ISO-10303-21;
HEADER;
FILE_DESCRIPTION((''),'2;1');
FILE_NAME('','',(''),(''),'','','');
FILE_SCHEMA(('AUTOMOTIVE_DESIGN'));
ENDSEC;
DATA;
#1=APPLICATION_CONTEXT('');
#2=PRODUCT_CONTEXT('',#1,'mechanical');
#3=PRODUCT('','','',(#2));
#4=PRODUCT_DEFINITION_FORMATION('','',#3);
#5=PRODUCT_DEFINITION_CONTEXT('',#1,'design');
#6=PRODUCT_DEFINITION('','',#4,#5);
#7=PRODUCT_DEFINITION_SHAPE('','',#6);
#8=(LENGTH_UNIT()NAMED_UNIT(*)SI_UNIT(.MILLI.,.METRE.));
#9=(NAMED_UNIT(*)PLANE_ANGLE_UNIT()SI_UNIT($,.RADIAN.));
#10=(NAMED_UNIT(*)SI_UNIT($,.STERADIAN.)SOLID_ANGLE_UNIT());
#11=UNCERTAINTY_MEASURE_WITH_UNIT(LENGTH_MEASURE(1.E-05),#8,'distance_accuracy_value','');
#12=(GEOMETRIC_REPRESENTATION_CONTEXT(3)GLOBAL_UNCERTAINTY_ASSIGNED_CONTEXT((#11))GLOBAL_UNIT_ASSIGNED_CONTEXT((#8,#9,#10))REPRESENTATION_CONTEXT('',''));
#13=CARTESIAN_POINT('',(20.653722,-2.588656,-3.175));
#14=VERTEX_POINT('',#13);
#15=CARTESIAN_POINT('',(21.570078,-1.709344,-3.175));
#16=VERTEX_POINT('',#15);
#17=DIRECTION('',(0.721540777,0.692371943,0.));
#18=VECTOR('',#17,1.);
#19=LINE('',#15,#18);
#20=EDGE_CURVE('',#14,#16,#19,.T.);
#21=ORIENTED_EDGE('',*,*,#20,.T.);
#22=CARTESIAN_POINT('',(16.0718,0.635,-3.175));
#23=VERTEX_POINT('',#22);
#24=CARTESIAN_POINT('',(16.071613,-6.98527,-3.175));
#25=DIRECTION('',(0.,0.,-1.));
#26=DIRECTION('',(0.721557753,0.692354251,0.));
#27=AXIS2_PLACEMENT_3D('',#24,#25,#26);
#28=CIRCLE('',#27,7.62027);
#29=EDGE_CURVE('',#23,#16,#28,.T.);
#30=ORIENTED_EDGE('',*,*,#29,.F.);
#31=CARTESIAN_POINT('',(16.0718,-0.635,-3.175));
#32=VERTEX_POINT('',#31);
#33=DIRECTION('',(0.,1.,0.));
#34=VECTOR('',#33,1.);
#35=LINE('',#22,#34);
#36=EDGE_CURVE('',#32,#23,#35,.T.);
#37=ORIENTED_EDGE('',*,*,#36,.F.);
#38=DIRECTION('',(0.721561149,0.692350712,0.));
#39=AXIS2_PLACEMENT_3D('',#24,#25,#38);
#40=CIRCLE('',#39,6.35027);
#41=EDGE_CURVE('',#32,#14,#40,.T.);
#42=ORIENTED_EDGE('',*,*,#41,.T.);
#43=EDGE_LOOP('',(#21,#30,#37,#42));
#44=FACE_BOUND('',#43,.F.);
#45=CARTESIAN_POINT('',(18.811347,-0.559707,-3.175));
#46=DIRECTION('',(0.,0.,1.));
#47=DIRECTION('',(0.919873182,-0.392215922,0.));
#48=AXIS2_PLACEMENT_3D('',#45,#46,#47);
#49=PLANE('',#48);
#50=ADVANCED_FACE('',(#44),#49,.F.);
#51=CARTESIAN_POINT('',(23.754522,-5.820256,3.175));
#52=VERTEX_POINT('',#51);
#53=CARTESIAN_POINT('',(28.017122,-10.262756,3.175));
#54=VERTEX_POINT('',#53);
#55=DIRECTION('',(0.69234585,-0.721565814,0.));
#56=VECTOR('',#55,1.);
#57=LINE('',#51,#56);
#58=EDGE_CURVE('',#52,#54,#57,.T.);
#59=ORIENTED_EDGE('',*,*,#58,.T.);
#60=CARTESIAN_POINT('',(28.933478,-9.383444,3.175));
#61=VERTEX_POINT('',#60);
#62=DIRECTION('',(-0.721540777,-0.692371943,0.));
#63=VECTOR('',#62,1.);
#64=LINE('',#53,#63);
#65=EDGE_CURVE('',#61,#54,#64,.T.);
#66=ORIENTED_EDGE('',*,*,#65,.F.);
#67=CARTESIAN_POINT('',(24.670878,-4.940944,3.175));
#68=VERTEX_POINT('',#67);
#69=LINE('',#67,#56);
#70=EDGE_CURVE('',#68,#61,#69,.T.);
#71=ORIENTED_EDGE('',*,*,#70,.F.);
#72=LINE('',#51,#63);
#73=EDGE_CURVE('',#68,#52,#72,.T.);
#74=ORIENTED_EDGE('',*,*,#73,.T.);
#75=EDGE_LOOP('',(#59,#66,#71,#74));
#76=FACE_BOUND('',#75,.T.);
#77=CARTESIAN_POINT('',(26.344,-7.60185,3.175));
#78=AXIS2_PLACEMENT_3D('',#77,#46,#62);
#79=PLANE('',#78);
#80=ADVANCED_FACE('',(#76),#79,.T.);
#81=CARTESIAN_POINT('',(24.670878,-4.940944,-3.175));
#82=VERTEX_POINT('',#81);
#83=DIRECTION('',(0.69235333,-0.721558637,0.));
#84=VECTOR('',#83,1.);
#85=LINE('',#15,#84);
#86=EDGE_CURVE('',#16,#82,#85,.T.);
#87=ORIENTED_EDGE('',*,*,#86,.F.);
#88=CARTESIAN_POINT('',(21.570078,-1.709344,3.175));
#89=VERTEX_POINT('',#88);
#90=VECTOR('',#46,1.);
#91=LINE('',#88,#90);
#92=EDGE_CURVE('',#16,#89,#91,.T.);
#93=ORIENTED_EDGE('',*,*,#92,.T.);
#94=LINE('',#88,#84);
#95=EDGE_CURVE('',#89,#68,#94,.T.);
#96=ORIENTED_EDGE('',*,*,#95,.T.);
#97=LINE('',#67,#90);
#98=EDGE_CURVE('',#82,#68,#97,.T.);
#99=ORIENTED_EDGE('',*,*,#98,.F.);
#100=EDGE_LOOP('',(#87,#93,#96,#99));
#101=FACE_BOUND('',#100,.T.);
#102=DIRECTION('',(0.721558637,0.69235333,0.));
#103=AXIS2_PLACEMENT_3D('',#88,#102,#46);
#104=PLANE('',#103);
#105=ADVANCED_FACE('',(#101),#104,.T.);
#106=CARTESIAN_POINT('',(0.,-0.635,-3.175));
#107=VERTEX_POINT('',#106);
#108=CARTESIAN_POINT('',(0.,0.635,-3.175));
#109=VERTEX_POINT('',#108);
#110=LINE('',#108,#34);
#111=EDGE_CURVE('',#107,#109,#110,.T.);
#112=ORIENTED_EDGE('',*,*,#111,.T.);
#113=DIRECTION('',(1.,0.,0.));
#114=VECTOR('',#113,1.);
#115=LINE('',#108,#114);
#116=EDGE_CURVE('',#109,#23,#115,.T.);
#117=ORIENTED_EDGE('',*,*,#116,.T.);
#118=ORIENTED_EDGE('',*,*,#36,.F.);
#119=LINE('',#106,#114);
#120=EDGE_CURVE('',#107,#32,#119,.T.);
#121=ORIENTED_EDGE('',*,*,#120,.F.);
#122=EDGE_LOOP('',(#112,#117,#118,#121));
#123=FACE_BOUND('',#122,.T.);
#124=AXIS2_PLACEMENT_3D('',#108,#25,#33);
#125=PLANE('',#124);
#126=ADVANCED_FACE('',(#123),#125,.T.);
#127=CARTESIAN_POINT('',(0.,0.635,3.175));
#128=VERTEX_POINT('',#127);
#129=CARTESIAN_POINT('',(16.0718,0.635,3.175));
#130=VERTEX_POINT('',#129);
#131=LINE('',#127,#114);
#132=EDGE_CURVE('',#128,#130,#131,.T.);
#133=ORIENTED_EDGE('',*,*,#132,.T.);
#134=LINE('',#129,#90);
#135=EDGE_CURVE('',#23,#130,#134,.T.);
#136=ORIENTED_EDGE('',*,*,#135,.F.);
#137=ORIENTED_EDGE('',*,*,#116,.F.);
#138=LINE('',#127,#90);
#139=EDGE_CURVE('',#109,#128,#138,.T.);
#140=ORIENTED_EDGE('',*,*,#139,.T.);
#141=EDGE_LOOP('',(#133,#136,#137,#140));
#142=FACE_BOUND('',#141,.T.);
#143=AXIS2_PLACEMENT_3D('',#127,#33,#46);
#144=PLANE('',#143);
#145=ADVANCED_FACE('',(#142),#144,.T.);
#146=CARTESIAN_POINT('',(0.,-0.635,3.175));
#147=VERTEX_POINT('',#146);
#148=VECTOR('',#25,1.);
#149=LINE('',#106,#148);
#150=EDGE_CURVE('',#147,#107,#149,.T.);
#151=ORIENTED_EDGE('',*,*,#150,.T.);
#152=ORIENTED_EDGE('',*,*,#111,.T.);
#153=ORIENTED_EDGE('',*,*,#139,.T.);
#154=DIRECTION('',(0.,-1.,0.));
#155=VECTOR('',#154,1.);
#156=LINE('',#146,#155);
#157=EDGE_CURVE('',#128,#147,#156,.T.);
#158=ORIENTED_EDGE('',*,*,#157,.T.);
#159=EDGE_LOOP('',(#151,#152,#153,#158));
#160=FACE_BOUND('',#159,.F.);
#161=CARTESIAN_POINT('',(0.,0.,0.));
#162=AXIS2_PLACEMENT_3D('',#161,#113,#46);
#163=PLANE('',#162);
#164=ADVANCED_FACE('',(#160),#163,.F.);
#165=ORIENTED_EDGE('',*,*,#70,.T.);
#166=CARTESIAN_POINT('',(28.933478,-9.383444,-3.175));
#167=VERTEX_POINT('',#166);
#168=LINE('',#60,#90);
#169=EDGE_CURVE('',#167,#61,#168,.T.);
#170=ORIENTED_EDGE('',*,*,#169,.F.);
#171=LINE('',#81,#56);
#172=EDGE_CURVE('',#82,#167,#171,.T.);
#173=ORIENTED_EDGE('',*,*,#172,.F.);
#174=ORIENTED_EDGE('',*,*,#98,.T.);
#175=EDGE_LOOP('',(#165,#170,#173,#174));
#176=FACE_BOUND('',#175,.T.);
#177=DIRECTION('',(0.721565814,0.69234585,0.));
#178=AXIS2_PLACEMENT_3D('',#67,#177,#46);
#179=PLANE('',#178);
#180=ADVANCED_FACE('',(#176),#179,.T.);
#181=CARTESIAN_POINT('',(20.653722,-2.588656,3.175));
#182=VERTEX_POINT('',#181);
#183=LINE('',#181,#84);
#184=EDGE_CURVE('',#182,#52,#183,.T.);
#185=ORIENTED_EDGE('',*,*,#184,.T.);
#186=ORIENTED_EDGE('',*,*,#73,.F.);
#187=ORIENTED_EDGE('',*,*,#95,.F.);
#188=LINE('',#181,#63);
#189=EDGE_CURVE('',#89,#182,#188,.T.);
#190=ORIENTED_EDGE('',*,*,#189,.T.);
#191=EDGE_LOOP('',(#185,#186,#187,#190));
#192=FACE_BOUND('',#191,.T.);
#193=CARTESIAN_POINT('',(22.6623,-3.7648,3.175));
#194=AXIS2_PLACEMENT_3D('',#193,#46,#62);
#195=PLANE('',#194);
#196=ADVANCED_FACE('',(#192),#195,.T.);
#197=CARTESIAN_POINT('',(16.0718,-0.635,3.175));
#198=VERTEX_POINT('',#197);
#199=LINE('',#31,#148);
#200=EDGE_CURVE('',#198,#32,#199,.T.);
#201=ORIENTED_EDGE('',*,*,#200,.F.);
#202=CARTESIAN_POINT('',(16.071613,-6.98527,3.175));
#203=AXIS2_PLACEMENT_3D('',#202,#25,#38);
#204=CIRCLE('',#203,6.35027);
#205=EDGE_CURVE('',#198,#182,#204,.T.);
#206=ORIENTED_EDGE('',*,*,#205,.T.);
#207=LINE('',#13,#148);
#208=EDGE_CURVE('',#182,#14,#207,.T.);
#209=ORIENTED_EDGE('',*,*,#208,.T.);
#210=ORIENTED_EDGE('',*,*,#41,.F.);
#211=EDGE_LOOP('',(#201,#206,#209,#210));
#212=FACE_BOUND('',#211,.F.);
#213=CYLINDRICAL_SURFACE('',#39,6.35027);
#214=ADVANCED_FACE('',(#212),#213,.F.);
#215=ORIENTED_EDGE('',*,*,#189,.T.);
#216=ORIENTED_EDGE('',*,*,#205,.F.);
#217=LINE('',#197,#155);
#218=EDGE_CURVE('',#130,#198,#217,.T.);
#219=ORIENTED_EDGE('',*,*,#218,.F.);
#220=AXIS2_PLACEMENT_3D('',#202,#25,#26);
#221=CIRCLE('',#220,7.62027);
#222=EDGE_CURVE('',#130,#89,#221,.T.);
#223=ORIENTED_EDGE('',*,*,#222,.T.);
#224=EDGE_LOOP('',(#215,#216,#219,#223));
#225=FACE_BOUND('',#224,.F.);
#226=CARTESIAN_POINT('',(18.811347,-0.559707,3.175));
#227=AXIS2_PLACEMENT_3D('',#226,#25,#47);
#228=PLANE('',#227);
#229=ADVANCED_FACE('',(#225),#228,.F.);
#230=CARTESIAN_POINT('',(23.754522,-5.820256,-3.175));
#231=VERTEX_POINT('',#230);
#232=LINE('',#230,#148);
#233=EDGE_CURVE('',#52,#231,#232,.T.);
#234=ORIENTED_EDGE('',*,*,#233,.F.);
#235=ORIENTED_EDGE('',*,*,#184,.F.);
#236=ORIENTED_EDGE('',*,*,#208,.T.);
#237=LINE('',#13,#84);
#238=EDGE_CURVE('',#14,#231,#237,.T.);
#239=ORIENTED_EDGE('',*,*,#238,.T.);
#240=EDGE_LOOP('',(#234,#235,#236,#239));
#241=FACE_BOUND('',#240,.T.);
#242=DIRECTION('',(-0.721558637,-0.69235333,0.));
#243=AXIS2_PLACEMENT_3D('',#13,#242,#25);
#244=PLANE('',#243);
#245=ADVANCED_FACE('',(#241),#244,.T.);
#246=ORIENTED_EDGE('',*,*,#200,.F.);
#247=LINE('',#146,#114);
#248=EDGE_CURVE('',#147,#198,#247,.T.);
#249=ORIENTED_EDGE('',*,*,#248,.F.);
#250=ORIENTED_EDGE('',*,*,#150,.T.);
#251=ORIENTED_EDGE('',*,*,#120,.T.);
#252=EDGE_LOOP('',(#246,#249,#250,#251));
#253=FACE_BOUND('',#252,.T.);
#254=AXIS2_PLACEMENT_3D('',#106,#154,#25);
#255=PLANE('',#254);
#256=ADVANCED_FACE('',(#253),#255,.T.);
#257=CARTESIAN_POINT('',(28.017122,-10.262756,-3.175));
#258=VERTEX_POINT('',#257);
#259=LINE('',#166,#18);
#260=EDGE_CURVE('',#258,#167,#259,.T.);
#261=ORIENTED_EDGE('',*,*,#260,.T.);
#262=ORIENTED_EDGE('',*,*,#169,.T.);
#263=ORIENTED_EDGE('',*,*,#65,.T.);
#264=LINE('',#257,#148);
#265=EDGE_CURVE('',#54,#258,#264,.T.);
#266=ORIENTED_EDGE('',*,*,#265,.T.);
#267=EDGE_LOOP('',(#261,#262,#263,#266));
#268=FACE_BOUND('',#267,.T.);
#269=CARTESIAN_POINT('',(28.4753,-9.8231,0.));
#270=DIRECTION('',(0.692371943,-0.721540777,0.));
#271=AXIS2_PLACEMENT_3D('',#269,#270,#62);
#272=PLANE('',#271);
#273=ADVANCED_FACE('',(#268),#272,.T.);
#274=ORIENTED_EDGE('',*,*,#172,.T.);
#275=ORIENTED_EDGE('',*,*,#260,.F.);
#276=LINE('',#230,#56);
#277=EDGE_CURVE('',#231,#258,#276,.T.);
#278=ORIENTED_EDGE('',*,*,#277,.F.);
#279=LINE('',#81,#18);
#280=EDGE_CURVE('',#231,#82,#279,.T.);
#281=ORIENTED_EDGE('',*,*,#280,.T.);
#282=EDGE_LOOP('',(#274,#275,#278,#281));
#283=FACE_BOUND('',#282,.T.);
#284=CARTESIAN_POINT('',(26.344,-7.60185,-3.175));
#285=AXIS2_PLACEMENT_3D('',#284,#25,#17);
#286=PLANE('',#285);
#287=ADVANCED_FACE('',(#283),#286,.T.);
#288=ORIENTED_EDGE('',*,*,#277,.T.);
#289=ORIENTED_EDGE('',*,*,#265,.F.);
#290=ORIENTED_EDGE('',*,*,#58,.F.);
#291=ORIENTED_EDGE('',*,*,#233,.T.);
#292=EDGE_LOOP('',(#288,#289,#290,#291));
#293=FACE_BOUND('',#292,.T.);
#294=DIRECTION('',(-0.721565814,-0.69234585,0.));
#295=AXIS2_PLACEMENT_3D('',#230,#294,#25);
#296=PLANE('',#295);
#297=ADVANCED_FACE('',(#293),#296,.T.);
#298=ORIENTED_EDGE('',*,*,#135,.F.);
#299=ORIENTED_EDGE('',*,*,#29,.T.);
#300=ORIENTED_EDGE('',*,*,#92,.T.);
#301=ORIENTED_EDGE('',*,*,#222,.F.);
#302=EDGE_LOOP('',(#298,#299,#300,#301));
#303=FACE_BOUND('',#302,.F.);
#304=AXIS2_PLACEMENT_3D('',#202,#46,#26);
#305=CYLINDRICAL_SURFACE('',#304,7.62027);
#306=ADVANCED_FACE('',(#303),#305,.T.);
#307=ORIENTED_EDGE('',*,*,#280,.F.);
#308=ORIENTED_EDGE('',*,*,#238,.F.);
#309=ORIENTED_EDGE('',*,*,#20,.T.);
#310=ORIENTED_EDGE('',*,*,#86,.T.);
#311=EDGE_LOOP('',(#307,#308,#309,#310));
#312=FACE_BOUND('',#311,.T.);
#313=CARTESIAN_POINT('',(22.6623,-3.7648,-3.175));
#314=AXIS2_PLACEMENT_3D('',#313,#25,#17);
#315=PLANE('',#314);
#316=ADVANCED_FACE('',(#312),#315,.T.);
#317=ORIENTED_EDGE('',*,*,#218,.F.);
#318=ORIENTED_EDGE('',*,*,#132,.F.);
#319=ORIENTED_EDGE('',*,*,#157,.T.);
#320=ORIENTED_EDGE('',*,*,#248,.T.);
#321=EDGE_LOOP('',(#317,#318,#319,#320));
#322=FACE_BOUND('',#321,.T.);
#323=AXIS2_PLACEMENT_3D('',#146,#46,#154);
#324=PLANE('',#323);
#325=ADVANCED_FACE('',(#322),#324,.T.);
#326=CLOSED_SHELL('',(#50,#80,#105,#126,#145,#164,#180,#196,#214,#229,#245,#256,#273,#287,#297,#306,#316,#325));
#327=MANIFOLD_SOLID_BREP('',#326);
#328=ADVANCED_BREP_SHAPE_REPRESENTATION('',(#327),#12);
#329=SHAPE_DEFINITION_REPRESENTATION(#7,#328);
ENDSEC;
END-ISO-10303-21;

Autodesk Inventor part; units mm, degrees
ref_plane "YZ Plane" through (0, 0, 0) normal (1, 0, 0) x (0, 1, 0)
ref_plane "XZ Plane" through (0, 0, 0) normal (0, 1, 0) x (-1, 0, 0)
ref_plane "XY Plane" through (0, 0, 0) normal (0, 0, 1) x (1, 0, 0)
sketch "Sketch1" plane through (0, 0, 0) normal (0, 0, 1) x (1, 0, 0)
  line L0 (0, 0) -> (16.0718, 0)
  line L1 (21.1119, -2.149) -> (24.2127, -5.3806)
  arc A0 (21.1119, -2.149) -> (16.0718, 0) centre (16.0718, -6.985) ccw
  line L2 (24.2127, -5.3806) -> (28.4753, -9.8231)
  point P0 (19.05, 0)
  dimension "d0" = 19.05
  dimension "d1" = 6.985
sketch "Sketch2" plane through (0, 0, 0) normal (1, 0, 0) x (0, 1, 0)
  line L0 (0.635, -3.175) -> (-0.635, -3.175)
  line L1 (-0.635, -3.175) -> (-0.635, 3.175)
  line L2 (-0.635, 3.175) -> (0.635, 3.175)
  line L3 (0.635, 3.175) -> (0.635, -3.175)
  line L4 (0.635, -3.175) -> (-0.635, 3.175) construction
  line L5 (-0.635, -3.175) -> (0.635, 3.175) construction
  point P0 (0, 0)
  dimension "d2" = 1.27
  dimension "d3" = 6.35
sweep "Sweep1" add profiles "Sketch2" path "Sketch1"
properties part number "1p5 sensor for show"
